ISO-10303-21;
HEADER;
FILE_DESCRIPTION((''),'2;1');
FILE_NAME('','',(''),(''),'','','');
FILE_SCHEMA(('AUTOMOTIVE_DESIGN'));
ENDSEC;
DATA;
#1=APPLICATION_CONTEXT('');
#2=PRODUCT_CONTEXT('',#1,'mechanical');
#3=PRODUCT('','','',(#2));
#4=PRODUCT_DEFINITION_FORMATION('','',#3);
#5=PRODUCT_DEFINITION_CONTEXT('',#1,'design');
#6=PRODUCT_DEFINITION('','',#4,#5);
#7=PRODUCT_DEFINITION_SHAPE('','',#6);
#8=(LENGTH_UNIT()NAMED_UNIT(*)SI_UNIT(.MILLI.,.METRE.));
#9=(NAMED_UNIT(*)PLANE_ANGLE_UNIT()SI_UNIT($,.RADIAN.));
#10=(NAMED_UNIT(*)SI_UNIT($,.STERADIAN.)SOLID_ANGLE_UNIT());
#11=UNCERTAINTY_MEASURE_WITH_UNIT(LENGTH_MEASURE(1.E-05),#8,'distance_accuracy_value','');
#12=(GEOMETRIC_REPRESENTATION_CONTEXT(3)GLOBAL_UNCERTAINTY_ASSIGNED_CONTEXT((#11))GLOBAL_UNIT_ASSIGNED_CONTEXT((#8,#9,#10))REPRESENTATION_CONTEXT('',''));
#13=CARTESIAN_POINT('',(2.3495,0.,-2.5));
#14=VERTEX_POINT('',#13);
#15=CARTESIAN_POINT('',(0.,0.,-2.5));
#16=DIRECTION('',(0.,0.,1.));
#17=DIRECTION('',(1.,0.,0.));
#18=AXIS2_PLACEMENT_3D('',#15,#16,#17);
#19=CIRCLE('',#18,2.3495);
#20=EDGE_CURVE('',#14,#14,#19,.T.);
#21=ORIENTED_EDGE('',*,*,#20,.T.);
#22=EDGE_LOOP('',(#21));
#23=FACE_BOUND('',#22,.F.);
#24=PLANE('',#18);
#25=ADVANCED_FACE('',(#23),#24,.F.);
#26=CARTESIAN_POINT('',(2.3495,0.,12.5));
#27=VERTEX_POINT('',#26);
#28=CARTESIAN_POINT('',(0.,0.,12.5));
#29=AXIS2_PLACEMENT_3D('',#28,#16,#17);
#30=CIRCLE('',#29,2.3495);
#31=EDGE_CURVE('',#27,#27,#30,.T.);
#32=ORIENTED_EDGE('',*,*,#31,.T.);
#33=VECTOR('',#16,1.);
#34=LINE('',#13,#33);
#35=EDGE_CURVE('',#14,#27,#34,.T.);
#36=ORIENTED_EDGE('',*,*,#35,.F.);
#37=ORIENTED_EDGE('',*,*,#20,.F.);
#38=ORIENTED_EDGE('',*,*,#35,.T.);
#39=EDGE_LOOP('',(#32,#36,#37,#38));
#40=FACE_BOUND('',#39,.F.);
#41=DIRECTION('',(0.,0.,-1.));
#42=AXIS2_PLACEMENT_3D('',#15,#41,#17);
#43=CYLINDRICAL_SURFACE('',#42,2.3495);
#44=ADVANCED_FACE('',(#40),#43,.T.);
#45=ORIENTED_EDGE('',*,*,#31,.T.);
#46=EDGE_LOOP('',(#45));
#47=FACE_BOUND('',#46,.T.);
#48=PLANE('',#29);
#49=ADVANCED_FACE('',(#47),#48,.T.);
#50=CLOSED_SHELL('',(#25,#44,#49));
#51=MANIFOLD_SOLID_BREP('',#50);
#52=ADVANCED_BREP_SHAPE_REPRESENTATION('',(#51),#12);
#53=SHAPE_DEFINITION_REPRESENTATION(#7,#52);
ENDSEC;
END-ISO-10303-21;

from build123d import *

# Parameters (mm, degrees)
CYLINDER_R     = 2.3495
CYLINDER_DEPTH = 15


with BuildPart() as part:
    # Cylinder → Cylinder (new body)
    with BuildSketch(Plane.XY.offset(-2.5)):
        Circle(CYLINDER_R)
    extrude(amount=CYLINDER_DEPTH)


solid = part.part
